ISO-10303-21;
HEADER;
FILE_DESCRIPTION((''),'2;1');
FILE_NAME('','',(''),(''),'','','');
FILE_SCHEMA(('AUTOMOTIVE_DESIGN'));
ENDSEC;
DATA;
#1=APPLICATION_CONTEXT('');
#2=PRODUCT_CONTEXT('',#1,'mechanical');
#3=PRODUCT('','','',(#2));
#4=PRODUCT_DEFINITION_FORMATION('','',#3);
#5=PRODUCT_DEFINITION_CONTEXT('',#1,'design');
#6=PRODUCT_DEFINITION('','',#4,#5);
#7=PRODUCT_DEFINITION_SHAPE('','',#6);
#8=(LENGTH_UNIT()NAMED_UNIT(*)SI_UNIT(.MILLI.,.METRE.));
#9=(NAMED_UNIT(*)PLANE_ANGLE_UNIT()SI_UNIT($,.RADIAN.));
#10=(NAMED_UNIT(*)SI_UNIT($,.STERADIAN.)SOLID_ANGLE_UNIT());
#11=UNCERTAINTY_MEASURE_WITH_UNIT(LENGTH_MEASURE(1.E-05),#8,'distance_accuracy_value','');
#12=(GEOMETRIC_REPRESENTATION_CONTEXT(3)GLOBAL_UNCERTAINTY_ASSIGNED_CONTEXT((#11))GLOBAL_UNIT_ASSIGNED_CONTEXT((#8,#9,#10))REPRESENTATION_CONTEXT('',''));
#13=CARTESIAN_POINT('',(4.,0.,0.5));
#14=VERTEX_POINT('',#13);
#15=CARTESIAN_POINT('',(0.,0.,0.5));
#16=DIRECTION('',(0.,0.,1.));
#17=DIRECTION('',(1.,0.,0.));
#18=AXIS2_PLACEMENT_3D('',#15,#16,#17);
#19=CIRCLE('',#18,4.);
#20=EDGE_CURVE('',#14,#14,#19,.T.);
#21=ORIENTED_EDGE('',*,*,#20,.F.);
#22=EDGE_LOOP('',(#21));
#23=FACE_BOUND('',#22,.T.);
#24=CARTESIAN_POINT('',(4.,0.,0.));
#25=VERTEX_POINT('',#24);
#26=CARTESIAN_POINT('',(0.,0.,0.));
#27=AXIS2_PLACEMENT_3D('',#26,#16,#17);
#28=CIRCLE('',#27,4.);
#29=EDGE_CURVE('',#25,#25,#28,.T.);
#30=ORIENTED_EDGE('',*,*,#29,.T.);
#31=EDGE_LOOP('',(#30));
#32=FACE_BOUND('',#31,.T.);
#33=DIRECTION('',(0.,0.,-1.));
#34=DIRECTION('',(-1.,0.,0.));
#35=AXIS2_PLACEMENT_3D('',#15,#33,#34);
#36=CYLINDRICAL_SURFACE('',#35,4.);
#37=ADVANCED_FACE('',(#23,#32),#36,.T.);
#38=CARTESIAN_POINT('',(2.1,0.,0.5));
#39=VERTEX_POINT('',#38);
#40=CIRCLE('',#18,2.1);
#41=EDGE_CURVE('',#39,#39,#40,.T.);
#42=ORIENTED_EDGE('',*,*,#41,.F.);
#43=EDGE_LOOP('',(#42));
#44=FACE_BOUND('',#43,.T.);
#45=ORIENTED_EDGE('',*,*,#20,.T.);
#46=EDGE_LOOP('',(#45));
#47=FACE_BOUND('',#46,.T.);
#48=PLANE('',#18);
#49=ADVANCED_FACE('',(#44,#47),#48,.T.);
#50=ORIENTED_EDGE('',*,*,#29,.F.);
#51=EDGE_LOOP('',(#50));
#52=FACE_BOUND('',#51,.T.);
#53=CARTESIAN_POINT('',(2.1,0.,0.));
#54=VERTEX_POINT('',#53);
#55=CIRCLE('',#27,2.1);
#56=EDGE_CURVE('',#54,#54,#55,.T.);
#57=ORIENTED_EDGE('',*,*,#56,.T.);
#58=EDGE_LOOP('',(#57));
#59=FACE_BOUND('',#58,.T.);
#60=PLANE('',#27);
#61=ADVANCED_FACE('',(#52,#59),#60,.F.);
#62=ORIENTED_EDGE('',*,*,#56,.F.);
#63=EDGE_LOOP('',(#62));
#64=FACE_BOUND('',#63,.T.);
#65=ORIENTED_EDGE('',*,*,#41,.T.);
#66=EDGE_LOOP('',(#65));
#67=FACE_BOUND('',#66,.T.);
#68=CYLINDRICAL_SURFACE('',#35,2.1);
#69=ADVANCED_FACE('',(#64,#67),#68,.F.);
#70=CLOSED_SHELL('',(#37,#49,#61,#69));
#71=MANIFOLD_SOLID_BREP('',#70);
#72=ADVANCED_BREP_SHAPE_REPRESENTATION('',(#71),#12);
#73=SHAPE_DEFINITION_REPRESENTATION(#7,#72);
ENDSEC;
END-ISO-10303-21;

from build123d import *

# Parameters (mm, degrees)
WASHER_PROFILE_R   = 4
WASHER_PROFILE_R_2 = 2.1
WASHER_DEPTH       = 0.5


with BuildPart() as part:
    # Washer_profile → Washer (new body)
    with BuildSketch(Plane.XY):
        Circle(WASHER_PROFILE_R)
        Circle(WASHER_PROFILE_R_2, mode=Mode.SUBTRACT)
    extrude(amount=WASHER_DEPTH)


solid = part.part
